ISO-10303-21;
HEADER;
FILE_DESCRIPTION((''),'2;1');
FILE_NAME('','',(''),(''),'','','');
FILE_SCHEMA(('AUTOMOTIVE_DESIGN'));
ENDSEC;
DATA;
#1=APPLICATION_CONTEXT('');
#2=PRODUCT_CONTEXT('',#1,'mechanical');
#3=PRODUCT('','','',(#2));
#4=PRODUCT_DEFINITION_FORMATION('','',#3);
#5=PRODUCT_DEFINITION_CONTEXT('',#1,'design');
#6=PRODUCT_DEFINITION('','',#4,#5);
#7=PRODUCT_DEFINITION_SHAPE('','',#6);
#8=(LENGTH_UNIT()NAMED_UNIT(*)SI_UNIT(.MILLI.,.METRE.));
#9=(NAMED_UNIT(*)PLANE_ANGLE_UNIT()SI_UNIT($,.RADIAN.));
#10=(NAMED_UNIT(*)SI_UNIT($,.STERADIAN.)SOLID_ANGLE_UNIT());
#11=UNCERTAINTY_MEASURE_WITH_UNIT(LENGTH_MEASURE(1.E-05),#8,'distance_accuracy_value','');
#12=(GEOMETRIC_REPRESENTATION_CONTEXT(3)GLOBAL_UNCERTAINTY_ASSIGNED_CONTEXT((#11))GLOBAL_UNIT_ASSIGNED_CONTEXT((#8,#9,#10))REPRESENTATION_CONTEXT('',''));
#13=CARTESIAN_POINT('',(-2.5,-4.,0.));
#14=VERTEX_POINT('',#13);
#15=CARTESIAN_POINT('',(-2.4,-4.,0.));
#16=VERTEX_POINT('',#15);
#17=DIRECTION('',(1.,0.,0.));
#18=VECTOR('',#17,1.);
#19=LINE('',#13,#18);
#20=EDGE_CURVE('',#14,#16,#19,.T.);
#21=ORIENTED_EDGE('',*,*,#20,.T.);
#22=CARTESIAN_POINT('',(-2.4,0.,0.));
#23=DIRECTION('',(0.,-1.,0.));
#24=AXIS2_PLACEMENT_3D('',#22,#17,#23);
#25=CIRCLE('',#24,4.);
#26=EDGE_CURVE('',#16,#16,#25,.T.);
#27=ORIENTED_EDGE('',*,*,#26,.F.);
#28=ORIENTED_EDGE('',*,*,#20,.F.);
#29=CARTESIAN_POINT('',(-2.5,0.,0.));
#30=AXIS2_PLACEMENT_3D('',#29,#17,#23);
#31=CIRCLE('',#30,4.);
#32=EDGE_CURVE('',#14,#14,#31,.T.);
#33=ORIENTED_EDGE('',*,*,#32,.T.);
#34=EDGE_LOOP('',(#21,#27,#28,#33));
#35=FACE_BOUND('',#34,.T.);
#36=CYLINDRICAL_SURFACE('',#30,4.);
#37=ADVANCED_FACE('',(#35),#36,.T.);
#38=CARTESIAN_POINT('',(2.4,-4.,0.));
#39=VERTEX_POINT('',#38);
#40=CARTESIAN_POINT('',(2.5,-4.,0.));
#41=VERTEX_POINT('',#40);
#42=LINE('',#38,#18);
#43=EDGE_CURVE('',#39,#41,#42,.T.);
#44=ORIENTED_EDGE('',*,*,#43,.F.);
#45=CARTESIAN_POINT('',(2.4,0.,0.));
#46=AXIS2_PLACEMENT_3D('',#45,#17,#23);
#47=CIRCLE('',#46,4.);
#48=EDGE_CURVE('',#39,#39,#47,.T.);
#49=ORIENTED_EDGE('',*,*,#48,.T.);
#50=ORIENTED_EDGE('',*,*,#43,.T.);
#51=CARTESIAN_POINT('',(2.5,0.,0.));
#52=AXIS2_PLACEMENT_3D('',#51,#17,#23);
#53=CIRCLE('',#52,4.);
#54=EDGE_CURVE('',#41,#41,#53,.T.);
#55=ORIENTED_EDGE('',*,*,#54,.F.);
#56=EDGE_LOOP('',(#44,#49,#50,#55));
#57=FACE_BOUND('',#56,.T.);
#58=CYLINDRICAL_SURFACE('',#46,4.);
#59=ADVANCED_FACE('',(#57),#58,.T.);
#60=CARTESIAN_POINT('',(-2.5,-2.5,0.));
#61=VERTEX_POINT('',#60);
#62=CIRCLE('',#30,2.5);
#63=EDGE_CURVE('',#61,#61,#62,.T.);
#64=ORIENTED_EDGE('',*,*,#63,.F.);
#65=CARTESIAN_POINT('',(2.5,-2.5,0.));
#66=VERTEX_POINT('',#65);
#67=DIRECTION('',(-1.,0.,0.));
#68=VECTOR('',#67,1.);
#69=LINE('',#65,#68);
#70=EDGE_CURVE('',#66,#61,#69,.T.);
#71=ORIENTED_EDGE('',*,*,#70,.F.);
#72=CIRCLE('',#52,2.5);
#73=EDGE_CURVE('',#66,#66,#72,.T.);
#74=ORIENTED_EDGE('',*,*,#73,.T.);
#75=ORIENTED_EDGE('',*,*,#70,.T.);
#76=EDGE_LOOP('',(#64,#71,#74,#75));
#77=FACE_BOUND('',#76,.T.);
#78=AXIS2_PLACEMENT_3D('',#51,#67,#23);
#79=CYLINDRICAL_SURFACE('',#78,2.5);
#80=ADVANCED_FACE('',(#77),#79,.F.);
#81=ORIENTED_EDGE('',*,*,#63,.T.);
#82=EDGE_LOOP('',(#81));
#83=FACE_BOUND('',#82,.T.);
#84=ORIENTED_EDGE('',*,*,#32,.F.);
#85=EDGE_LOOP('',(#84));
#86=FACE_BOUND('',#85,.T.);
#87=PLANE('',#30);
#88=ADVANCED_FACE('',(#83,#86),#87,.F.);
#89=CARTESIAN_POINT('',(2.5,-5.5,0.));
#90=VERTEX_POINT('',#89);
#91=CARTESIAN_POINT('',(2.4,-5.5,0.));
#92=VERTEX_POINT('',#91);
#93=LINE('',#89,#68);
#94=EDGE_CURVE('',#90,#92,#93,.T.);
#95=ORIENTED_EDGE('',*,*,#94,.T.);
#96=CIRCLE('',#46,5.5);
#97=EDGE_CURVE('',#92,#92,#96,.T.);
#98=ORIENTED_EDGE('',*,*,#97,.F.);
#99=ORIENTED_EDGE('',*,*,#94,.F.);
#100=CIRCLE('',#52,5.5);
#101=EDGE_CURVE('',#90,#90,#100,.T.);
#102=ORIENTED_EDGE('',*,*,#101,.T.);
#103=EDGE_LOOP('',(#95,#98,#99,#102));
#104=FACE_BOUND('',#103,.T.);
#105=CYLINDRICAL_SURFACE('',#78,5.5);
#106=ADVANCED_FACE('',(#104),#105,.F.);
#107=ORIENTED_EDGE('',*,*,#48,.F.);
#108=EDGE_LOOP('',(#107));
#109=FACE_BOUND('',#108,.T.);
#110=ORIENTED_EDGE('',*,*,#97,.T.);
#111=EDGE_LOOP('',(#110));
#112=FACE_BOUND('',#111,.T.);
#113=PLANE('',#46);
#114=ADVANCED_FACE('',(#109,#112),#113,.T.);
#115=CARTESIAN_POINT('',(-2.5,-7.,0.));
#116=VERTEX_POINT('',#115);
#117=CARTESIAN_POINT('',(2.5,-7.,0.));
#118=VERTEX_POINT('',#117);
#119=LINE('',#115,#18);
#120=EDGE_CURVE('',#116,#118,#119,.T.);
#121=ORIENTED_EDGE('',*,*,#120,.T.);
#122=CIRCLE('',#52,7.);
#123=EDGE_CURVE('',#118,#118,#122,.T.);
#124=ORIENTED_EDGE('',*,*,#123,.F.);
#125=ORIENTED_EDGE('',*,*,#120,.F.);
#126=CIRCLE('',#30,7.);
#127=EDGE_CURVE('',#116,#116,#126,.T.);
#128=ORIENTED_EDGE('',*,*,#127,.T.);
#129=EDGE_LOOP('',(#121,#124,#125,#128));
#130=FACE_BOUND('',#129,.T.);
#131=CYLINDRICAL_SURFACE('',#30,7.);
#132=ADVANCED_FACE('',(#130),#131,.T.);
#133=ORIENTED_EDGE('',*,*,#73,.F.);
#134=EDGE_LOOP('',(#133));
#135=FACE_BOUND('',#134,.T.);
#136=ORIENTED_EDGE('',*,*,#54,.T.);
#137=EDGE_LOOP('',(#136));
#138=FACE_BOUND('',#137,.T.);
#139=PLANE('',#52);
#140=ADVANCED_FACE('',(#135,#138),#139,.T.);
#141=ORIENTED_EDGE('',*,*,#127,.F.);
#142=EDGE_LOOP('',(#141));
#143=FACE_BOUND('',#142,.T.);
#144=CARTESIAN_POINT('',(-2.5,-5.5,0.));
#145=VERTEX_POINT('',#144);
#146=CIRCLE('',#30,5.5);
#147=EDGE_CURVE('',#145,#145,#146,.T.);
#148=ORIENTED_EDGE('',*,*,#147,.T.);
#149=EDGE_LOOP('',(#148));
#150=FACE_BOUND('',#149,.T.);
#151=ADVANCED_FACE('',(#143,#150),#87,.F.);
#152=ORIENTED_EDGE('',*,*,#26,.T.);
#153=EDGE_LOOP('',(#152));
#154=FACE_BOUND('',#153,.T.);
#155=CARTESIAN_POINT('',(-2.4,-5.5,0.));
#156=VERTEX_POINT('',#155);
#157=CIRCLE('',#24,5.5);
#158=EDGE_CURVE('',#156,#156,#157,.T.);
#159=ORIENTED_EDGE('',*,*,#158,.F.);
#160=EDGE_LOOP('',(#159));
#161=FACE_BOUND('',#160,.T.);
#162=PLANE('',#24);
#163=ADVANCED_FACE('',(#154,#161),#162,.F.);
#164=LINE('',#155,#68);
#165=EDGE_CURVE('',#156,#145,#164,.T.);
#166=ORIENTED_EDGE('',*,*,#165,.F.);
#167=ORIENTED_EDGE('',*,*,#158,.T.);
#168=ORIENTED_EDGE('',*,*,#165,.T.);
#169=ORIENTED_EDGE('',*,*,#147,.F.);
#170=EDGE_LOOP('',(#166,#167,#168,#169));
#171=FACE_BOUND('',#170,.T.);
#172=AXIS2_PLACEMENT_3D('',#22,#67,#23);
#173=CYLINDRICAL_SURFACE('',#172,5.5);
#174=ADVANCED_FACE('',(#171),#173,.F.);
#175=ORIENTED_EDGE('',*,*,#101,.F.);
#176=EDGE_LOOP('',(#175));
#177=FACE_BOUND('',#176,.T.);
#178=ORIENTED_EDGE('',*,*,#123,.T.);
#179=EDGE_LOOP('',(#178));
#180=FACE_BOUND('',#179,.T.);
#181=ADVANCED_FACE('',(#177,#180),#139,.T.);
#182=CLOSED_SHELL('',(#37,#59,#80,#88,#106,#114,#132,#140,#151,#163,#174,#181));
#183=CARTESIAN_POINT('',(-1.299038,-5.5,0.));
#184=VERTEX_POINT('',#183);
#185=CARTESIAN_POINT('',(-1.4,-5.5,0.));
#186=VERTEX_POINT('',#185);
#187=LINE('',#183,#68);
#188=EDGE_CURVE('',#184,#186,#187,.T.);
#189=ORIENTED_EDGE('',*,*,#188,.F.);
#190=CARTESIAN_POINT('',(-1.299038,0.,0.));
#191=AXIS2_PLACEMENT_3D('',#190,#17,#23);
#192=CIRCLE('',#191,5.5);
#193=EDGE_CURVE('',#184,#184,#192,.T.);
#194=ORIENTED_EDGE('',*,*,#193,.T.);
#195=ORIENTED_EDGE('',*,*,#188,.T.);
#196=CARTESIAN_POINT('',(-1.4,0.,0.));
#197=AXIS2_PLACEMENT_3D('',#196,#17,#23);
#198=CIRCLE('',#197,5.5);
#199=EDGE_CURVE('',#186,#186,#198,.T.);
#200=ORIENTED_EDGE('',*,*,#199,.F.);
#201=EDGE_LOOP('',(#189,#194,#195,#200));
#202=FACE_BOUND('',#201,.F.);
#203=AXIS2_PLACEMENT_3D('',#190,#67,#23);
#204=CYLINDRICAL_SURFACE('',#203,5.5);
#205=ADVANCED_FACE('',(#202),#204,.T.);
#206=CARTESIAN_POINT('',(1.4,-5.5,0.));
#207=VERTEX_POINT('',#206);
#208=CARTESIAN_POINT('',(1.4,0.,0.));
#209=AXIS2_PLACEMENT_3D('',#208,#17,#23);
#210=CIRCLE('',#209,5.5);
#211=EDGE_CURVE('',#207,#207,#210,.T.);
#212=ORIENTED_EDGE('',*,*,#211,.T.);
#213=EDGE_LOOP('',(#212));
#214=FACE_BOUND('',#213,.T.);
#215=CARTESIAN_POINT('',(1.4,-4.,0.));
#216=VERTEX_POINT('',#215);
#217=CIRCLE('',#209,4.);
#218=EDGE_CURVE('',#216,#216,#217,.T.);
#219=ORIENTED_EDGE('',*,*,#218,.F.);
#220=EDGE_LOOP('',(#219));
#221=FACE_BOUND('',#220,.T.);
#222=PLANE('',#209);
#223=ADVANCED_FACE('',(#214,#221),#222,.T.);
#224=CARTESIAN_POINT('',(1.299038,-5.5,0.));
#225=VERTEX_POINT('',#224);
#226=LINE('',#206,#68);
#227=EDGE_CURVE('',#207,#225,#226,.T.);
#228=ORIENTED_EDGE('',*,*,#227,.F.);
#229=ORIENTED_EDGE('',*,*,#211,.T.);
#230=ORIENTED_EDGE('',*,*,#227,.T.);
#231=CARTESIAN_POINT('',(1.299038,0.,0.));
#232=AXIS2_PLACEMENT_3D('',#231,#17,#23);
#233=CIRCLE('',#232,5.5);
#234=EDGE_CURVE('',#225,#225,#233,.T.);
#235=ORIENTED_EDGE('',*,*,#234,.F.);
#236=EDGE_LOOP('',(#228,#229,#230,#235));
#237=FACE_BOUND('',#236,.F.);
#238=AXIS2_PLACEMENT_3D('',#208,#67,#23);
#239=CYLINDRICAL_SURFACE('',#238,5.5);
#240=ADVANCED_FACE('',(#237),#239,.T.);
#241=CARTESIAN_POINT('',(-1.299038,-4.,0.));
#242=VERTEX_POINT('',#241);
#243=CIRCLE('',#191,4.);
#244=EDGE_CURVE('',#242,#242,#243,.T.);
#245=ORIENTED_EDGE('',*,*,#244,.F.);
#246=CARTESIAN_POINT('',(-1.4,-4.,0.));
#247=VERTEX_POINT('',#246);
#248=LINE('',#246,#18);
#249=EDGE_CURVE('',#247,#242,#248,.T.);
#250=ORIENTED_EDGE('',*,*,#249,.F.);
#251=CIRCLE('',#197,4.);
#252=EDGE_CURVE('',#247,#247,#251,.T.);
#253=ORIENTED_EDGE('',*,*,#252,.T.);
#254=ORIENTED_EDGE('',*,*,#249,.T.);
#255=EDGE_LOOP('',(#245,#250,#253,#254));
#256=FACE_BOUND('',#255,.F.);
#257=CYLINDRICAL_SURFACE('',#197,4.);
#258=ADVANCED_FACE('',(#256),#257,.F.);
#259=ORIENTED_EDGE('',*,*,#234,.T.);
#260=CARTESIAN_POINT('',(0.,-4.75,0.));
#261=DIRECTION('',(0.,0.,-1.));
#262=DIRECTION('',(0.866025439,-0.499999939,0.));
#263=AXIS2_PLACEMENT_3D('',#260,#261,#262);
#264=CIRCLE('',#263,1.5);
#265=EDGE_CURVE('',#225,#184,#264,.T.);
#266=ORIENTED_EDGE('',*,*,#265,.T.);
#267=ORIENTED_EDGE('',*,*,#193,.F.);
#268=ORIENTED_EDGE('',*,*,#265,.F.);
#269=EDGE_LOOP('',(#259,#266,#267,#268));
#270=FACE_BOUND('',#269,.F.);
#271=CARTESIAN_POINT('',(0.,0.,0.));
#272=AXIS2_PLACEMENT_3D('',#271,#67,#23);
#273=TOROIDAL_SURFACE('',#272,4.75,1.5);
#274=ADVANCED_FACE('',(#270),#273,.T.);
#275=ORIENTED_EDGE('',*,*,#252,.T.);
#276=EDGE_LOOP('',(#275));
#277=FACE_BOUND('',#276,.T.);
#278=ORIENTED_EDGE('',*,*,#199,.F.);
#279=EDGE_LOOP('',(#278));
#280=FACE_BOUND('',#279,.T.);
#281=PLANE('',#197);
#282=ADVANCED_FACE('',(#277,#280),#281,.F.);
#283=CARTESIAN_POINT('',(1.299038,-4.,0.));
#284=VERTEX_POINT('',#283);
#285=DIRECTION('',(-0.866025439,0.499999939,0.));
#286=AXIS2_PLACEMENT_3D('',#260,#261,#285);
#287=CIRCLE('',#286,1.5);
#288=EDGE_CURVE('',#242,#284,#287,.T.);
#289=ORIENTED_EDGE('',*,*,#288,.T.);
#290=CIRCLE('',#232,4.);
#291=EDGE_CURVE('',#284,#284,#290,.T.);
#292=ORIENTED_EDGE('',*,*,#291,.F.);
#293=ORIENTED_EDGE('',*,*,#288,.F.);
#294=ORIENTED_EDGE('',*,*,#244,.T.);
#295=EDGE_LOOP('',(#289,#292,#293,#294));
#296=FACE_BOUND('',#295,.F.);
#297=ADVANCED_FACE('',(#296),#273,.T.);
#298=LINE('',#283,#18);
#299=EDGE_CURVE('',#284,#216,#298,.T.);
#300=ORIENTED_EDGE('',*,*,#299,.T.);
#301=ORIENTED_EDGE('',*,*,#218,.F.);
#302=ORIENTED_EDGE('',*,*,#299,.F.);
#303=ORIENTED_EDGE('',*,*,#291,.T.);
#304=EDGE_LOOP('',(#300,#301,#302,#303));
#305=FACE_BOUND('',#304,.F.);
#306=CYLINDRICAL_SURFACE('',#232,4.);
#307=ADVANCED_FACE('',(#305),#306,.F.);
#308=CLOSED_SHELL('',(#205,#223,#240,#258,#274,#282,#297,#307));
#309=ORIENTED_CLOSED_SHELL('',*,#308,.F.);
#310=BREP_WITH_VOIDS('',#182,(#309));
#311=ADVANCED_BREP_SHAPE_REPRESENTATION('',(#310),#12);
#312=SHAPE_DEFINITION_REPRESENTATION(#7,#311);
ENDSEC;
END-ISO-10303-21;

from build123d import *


with BuildPart() as part:
    # Sketch → Revolution (revolve)
    with BuildSketch(Plane.YX):
        Polygon((-7, 2.5), (-5.5, 2.5), (-5.5, 2.4), (-4, 2.4), (-4, 2.5), (-2.5, 2.5), (-2.5, -2.5), (-4, -2.5), (-4, -2.4), (-5.5, -2.4), (-5.5, -2.5), (-7, -2.5), align=None)
        with BuildLine():
            ThreePointArc((-5.5, 1.299038), (-6.25, 0), (-5.5, -1.299038))
            Line((-5.5, -1.299038), (-5.5, -1.4))
            Line((-4, -1.4), (-5.5, -1.4))
            Line((-4, -1.4), (-4, -1.299038))
            ThreePointArc((-4, -1.299038), (-3.25, 0), (-4, 1.299038))
            Line((-4, 1.299038), (-4, 1.4))
            Line((-5.5, 1.4), (-4, 1.4))
            Line((-5.5, 1.4), (-5.5, 1.299038))
        make_face(mode=Mode.SUBTRACT)
    revolve(axis=Axis((0, 0, 0), (1, 0, 0)))


solid = part.part
